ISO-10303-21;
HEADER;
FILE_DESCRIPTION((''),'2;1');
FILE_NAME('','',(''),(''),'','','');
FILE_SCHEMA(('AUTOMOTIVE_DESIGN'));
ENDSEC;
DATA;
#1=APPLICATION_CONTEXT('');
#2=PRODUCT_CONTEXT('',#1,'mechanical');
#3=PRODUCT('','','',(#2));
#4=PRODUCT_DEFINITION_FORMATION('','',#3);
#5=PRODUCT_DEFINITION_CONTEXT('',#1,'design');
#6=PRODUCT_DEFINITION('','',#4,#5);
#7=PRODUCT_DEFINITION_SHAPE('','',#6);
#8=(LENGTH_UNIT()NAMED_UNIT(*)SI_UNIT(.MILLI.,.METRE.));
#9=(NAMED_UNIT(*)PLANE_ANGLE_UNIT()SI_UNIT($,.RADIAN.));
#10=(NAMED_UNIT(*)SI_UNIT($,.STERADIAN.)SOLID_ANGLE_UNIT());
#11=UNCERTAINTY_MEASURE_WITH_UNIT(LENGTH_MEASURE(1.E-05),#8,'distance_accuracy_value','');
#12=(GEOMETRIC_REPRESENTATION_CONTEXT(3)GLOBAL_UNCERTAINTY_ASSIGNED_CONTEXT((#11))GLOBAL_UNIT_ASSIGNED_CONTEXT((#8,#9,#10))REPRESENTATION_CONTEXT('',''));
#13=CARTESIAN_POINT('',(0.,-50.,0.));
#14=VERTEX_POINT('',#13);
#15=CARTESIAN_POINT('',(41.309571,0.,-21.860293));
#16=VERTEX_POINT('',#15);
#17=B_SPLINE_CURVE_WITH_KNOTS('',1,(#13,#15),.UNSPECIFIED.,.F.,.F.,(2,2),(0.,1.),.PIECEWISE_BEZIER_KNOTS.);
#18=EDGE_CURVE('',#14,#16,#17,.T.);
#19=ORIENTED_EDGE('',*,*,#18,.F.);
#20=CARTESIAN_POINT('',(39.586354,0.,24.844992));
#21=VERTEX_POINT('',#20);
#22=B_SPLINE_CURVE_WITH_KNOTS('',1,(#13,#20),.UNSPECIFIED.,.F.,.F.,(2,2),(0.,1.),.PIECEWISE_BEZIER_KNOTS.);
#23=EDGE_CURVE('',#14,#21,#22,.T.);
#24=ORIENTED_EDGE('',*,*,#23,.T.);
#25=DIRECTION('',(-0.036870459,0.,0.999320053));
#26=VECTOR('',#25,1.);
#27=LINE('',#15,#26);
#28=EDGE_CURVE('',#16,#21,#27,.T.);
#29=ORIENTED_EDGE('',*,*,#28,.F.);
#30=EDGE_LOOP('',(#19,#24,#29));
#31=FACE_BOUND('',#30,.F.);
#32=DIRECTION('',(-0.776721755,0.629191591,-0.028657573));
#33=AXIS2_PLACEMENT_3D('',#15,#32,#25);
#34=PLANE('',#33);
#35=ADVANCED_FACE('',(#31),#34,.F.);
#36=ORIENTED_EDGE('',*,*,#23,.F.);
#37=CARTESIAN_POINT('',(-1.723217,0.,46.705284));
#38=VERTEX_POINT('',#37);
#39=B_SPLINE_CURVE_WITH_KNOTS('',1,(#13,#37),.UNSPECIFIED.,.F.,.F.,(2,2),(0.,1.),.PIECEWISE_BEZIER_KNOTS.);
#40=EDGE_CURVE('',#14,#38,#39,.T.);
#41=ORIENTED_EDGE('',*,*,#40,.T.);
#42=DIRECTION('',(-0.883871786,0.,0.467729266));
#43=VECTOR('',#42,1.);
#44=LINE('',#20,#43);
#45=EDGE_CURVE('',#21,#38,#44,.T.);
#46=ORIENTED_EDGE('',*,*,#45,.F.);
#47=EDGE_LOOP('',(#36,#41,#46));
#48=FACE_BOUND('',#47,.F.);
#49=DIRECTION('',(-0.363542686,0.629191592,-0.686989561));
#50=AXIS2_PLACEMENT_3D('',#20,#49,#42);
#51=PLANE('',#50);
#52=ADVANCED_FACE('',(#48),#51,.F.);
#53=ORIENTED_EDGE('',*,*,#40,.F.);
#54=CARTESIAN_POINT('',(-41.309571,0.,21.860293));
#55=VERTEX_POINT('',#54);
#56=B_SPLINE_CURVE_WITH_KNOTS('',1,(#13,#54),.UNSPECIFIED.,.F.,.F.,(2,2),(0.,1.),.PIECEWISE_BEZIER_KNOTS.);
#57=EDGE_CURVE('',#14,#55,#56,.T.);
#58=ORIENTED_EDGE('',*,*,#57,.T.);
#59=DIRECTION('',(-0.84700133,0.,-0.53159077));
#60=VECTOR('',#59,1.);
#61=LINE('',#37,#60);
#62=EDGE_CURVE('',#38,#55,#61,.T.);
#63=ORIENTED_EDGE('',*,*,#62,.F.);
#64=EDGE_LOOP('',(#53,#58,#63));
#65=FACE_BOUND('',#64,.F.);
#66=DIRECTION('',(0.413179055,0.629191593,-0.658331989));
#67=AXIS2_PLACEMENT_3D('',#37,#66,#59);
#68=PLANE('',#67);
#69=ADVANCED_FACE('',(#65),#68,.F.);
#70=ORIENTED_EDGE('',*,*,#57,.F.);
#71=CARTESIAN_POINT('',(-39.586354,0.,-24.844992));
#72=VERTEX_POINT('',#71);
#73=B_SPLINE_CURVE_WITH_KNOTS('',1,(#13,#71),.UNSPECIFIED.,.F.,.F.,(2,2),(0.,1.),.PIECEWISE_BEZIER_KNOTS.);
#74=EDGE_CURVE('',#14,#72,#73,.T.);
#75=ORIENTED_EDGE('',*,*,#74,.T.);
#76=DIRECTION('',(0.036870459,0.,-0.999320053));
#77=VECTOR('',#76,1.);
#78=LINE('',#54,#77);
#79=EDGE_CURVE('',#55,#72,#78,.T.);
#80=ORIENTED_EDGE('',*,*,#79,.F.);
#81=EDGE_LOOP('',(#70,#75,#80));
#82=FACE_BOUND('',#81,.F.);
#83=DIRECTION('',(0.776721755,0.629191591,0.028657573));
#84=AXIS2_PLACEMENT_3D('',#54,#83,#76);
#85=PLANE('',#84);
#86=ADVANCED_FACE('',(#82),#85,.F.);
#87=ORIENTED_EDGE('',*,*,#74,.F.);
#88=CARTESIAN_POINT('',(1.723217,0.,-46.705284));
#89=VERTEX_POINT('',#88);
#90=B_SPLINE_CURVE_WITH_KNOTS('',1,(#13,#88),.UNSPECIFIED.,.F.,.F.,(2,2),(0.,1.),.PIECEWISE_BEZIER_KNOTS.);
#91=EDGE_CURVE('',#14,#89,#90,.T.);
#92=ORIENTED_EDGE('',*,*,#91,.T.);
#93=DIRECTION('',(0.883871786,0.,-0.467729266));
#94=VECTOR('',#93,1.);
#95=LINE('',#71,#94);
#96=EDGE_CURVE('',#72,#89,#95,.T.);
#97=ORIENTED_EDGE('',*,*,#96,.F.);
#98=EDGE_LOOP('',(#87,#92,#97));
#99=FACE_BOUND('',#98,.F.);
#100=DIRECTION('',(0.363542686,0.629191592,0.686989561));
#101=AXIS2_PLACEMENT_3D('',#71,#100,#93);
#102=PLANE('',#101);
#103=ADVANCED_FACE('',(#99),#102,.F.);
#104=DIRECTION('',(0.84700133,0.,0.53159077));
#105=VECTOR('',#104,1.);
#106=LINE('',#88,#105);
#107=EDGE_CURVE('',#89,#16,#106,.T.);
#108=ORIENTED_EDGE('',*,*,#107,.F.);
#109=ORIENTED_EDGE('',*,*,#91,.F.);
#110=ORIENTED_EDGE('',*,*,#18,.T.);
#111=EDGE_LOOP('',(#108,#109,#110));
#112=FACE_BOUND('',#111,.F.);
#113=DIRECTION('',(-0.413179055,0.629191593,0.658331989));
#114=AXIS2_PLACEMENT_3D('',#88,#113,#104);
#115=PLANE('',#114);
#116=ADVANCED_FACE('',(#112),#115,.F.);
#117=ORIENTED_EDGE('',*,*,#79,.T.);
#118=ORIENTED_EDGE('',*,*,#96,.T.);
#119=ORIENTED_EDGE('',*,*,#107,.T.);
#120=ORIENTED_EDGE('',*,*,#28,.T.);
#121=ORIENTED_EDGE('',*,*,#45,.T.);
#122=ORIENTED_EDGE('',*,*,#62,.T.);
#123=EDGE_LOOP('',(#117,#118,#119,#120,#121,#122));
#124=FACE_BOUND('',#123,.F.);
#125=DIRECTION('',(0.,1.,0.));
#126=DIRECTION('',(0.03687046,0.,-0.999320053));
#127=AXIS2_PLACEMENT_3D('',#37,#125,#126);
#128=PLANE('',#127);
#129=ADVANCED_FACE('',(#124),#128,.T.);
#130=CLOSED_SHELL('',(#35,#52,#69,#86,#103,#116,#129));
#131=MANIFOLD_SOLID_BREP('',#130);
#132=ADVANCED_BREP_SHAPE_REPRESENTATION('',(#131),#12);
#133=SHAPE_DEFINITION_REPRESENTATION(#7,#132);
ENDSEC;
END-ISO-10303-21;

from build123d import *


with BuildPart() as f3:
    # F0 (on Front) → F3 section 0
    with BuildSketch(Plane.XZ, mode=Mode.PRIVATE) as f3_s0:
        Polygon((-1.723217, 46.705284), (-41.309571, 21.860293), (-39.586354, -24.844992), (1.723217, -46.705284), (41.309571, -21.860293), (39.586354, 24.844992), align=None)
    loft([Vertex(0, -50, 0), f3_s0.sketch])


solid = f3.part
